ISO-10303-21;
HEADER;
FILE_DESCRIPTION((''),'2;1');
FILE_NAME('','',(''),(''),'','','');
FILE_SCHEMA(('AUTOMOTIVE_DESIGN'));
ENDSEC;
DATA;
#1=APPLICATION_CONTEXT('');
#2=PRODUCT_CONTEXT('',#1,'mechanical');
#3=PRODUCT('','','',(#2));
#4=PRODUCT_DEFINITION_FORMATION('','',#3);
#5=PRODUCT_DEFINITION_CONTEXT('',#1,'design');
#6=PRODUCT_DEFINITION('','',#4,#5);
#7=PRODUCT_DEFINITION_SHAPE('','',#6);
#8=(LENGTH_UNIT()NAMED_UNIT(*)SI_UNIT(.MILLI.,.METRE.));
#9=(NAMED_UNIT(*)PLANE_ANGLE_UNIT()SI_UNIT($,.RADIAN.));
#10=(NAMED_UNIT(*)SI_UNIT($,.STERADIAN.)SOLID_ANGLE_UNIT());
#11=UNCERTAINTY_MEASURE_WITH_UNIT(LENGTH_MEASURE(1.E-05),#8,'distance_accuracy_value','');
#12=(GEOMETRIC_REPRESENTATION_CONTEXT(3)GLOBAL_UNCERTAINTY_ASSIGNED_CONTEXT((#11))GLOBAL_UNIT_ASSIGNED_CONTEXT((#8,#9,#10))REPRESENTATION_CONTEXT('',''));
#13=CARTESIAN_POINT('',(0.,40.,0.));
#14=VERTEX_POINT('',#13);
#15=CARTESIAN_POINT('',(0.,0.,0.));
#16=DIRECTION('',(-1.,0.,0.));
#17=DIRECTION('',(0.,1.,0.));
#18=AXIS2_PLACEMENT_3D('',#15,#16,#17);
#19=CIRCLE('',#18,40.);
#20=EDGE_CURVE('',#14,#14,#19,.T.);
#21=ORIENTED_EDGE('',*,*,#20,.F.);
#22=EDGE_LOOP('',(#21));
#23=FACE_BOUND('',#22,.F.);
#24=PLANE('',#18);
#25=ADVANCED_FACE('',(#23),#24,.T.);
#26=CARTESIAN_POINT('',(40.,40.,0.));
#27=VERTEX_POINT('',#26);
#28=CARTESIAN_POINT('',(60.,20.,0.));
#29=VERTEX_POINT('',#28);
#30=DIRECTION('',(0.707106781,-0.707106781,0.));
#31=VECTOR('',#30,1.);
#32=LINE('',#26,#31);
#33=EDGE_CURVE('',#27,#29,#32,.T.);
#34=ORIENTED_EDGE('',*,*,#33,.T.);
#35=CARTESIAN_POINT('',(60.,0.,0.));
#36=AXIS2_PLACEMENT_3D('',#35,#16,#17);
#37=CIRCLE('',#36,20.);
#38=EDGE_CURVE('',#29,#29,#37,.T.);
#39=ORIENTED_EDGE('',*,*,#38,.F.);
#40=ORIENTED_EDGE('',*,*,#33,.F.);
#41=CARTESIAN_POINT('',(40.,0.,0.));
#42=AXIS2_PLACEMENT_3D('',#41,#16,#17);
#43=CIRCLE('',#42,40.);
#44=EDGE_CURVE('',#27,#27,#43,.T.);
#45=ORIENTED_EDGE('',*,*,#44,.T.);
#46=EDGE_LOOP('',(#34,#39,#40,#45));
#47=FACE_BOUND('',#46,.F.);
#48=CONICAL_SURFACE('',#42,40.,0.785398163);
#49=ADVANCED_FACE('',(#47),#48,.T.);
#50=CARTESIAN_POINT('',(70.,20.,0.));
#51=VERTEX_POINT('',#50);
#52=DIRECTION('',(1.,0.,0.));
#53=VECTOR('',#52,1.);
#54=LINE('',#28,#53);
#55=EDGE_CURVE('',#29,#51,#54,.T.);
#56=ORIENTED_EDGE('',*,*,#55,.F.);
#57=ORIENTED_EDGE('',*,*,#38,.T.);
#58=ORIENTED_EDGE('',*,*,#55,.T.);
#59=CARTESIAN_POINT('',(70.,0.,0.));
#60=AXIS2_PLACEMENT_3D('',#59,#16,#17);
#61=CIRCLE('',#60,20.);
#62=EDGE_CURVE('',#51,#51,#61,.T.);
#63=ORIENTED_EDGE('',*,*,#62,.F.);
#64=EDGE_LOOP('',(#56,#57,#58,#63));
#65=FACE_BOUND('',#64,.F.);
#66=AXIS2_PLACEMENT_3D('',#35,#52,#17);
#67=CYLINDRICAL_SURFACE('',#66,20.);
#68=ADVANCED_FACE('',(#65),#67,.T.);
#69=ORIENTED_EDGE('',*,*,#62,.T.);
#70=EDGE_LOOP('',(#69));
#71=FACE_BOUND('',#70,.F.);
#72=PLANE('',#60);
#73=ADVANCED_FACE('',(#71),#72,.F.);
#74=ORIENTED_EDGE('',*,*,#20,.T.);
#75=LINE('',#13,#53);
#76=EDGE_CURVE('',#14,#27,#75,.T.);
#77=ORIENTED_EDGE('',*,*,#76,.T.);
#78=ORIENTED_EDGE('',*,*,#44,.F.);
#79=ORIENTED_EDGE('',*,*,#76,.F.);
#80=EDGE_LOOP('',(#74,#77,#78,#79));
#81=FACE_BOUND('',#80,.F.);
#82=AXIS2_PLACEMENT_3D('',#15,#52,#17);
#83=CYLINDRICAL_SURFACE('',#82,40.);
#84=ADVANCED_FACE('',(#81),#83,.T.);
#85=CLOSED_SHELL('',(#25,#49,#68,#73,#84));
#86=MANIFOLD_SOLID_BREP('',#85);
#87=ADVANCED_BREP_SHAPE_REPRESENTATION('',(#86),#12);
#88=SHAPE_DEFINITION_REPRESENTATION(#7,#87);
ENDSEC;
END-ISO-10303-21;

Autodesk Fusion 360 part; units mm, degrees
sketch "Sketch1" plane through (0, 0, 0) normal (0, 0, 1) x (1, 0, 0)
  line L0 (0, 0) -> (0, 40)
  line L1 (0, 40) -> (40, 40)
  line L2 (40, 40) -> (60, 20)
  line L3 (60, 20) -> (70, 20)
  line L4 (70, 20) -> (70, 0)
  line L5 (70, 0) -> (0, 0)
revolve "Revolve1" add sketch "Sketch1" angle 360 about axis through (70, 0, 0) along (-1, 0, 0)
